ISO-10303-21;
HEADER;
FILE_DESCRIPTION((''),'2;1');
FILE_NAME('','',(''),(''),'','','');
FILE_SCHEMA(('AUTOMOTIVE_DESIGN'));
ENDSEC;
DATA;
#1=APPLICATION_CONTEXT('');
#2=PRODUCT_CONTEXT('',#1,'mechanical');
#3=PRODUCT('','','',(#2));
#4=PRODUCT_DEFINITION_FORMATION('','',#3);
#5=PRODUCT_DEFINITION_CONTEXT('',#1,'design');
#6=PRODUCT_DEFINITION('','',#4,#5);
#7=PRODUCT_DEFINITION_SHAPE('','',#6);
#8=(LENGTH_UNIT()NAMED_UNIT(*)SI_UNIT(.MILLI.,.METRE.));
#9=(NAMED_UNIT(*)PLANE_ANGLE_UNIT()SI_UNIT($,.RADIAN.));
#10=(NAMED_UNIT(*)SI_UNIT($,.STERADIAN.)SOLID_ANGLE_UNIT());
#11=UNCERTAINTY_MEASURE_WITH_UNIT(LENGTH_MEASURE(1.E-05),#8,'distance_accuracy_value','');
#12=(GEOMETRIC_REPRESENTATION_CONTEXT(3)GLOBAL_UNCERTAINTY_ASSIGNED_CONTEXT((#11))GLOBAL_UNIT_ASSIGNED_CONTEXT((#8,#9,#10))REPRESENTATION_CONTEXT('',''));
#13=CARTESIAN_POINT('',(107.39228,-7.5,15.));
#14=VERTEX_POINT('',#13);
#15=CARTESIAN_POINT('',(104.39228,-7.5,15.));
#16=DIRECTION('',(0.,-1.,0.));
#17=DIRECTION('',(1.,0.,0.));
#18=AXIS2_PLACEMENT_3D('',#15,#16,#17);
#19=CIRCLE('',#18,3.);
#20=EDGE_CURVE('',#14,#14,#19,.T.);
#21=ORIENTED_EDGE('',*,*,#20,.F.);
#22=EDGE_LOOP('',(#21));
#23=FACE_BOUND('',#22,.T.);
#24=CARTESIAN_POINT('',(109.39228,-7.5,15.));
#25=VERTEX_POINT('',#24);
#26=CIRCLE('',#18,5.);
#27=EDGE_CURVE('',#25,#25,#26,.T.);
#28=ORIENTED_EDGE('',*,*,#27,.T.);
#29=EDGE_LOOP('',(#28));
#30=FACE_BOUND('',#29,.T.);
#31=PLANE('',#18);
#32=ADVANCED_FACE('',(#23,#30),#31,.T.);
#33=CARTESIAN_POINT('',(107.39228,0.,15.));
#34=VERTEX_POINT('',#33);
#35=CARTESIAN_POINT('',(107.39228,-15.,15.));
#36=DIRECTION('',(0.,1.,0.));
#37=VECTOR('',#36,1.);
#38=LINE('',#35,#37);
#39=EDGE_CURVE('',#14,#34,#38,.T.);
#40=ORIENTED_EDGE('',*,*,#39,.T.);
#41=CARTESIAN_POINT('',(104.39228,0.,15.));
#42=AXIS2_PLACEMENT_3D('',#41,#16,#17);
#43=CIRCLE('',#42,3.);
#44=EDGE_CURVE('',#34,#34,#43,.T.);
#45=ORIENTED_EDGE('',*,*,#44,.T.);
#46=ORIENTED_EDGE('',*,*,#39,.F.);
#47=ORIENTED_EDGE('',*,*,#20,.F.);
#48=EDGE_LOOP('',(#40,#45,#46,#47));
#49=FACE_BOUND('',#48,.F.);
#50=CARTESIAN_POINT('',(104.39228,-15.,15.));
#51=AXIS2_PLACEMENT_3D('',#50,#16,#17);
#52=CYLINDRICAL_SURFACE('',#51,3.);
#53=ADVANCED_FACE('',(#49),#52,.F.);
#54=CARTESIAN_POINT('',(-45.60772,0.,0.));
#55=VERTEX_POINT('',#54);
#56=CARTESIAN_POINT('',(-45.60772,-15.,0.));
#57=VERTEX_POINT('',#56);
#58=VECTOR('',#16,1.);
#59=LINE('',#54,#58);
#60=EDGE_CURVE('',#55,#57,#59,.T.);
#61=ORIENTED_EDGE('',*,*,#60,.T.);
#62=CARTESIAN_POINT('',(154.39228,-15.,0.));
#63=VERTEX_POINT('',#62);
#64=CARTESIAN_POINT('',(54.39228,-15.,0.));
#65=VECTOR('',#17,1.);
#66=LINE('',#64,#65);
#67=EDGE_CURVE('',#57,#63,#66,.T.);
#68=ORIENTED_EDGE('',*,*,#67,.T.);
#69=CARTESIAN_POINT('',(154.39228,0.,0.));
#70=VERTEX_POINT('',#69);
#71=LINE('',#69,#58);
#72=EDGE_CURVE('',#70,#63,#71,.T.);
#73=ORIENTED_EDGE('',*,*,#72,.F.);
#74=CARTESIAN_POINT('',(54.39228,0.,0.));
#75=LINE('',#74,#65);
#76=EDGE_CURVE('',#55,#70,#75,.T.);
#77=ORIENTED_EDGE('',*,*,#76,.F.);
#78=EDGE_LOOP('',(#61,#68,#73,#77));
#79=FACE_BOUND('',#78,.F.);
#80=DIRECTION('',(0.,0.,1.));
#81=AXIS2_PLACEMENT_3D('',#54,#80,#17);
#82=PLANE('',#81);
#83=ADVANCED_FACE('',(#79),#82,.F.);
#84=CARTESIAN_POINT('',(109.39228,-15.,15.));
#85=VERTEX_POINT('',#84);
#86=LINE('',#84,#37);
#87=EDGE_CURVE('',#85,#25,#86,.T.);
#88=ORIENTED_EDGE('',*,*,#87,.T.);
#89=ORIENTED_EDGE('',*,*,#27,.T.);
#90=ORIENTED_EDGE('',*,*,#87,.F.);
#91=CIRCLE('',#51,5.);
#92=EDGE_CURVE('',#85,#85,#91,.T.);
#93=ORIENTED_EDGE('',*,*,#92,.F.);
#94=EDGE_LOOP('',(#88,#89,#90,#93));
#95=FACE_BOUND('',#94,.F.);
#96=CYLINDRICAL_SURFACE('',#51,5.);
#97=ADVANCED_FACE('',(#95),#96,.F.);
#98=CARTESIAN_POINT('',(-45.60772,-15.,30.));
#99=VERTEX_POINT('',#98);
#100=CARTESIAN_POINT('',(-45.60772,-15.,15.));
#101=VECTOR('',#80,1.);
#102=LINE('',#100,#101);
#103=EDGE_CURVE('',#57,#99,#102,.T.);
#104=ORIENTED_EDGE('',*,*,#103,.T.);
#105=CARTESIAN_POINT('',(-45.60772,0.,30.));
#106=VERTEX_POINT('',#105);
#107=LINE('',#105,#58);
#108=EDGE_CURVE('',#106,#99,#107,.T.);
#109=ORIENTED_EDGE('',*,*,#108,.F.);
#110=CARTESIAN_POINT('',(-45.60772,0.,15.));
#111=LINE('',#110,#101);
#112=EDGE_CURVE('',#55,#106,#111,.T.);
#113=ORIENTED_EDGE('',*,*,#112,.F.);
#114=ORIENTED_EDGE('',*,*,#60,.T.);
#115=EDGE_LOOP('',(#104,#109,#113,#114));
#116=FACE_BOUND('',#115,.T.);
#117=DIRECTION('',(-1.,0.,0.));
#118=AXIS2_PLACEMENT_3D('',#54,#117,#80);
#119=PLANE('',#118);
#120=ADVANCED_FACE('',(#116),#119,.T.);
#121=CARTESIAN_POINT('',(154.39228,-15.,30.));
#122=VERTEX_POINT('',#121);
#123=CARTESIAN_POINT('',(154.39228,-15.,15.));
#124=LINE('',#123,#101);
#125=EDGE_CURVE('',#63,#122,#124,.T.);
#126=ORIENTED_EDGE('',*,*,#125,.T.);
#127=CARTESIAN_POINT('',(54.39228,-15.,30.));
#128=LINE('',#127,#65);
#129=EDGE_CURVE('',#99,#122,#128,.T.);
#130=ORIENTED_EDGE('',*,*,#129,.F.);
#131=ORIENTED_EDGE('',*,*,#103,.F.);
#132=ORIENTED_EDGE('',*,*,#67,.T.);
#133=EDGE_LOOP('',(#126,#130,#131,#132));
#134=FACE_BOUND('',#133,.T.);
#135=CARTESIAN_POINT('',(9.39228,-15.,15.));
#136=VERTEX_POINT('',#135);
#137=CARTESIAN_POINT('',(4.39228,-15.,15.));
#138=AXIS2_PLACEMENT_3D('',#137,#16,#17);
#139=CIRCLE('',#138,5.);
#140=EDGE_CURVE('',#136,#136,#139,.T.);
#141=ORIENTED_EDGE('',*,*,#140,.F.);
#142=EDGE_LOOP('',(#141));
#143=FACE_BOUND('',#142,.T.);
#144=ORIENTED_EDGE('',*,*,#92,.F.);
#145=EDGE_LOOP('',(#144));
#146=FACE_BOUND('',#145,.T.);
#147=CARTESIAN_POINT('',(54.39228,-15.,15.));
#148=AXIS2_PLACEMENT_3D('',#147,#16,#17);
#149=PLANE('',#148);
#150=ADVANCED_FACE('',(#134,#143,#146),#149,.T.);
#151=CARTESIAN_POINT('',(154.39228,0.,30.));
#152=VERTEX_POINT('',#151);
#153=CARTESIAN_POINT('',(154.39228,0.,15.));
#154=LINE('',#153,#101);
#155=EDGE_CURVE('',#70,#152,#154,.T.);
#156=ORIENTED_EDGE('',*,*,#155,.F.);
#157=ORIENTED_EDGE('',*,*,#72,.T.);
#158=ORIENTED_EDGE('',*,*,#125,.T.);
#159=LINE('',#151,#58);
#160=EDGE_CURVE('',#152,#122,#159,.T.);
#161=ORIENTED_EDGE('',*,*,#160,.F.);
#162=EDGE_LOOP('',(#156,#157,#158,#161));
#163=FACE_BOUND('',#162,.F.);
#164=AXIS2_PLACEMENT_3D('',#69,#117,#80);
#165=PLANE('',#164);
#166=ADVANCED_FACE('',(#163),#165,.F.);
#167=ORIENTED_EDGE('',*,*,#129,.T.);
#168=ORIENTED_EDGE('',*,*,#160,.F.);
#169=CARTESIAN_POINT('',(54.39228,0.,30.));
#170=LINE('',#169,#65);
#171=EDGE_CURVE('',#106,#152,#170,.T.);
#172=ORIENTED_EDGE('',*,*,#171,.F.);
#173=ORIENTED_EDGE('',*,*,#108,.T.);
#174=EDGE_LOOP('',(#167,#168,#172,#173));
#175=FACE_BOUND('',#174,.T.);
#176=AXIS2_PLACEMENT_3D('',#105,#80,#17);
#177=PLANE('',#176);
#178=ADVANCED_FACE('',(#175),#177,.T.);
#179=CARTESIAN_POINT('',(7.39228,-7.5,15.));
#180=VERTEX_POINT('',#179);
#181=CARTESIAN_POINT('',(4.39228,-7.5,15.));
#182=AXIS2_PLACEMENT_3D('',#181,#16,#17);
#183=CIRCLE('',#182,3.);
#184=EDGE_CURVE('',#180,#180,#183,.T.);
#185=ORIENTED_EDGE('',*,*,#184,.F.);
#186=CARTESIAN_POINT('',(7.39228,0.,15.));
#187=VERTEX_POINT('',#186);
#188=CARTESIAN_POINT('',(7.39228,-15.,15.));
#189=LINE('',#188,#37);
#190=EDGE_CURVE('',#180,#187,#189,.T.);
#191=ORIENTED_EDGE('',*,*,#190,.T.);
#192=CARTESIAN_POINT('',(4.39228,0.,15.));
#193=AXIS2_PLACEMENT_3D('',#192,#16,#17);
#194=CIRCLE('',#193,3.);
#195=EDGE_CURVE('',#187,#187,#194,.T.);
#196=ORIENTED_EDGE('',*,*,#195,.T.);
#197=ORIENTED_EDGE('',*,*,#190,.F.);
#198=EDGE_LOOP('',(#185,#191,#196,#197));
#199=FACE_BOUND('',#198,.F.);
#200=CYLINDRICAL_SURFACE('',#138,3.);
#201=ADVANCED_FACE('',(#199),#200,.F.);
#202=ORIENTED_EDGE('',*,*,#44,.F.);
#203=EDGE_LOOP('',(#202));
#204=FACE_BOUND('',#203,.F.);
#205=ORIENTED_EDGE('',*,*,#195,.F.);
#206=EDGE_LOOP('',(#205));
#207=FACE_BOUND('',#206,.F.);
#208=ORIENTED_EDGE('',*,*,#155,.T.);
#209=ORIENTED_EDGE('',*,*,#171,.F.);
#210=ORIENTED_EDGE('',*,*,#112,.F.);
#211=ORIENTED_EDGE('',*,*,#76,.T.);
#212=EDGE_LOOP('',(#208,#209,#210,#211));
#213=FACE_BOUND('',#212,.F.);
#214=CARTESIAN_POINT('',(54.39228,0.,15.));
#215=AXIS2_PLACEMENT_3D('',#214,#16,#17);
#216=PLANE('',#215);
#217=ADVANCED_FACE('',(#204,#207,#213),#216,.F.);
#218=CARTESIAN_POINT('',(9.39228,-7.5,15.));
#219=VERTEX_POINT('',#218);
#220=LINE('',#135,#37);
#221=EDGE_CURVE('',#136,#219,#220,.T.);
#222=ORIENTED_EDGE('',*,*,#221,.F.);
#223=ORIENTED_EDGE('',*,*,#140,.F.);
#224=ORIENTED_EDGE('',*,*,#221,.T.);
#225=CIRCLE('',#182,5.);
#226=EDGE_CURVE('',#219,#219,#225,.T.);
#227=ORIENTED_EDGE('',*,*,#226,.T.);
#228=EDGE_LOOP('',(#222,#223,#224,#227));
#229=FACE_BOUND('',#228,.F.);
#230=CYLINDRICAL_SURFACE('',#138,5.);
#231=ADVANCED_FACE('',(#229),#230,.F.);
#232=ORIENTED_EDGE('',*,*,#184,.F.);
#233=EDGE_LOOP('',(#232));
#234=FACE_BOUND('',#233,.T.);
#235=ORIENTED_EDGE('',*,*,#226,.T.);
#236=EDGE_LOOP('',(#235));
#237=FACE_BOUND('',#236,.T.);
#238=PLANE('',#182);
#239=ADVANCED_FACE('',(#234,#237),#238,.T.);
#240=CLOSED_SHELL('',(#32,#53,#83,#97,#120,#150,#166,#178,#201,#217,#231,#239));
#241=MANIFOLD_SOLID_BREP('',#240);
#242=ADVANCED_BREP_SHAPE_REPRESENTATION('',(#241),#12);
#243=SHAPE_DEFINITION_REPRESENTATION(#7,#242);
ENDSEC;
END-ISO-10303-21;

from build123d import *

# Parameters (mm, degrees)
F0_W     = 200
F0_H     = 30
F1_DEPTH = 15
F2_R     = 3
F3_DEPTH = 25
F2_R_2   = 5
F4_DEPTH = 7.5


with BuildPart() as f1:
    # F0 (on Front) → F1 (new body)
    with BuildSketch(Plane.XZ):
        with Locations((54.39228, 15)):
            Rectangle(F0_W, F0_H)
    extrude(amount=F1_DEPTH)

    # F2 (on face) → F3 (cut)
    with BuildSketch(Plane.XZ.offset(15)):
        with Locations((4.39228, 15)):
            Circle(F2_R)
        with Locations((104.39228, 15)):
            Circle(F2_R)
    extrude(amount=-F3_DEPTH, mode=Mode.SUBTRACT)

    # F2 (on face) → F4 (cut)
    with BuildSketch(Plane.XZ.offset(15)):
        with Locations((4.39228, 15)):
            Circle(F2_R_2)
        with Locations((4.39228, 15)):
            Circle(F2_R, mode=Mode.SUBTRACT)
        with Locations((104.39228, 15)):
            Circle(F2_R_2)
        with Locations((104.39228, 15)):
            Circle(F2_R, mode=Mode.SUBTRACT)
    extrude(amount=-F4_DEPTH, mode=Mode.SUBTRACT)


solid = f1.part
